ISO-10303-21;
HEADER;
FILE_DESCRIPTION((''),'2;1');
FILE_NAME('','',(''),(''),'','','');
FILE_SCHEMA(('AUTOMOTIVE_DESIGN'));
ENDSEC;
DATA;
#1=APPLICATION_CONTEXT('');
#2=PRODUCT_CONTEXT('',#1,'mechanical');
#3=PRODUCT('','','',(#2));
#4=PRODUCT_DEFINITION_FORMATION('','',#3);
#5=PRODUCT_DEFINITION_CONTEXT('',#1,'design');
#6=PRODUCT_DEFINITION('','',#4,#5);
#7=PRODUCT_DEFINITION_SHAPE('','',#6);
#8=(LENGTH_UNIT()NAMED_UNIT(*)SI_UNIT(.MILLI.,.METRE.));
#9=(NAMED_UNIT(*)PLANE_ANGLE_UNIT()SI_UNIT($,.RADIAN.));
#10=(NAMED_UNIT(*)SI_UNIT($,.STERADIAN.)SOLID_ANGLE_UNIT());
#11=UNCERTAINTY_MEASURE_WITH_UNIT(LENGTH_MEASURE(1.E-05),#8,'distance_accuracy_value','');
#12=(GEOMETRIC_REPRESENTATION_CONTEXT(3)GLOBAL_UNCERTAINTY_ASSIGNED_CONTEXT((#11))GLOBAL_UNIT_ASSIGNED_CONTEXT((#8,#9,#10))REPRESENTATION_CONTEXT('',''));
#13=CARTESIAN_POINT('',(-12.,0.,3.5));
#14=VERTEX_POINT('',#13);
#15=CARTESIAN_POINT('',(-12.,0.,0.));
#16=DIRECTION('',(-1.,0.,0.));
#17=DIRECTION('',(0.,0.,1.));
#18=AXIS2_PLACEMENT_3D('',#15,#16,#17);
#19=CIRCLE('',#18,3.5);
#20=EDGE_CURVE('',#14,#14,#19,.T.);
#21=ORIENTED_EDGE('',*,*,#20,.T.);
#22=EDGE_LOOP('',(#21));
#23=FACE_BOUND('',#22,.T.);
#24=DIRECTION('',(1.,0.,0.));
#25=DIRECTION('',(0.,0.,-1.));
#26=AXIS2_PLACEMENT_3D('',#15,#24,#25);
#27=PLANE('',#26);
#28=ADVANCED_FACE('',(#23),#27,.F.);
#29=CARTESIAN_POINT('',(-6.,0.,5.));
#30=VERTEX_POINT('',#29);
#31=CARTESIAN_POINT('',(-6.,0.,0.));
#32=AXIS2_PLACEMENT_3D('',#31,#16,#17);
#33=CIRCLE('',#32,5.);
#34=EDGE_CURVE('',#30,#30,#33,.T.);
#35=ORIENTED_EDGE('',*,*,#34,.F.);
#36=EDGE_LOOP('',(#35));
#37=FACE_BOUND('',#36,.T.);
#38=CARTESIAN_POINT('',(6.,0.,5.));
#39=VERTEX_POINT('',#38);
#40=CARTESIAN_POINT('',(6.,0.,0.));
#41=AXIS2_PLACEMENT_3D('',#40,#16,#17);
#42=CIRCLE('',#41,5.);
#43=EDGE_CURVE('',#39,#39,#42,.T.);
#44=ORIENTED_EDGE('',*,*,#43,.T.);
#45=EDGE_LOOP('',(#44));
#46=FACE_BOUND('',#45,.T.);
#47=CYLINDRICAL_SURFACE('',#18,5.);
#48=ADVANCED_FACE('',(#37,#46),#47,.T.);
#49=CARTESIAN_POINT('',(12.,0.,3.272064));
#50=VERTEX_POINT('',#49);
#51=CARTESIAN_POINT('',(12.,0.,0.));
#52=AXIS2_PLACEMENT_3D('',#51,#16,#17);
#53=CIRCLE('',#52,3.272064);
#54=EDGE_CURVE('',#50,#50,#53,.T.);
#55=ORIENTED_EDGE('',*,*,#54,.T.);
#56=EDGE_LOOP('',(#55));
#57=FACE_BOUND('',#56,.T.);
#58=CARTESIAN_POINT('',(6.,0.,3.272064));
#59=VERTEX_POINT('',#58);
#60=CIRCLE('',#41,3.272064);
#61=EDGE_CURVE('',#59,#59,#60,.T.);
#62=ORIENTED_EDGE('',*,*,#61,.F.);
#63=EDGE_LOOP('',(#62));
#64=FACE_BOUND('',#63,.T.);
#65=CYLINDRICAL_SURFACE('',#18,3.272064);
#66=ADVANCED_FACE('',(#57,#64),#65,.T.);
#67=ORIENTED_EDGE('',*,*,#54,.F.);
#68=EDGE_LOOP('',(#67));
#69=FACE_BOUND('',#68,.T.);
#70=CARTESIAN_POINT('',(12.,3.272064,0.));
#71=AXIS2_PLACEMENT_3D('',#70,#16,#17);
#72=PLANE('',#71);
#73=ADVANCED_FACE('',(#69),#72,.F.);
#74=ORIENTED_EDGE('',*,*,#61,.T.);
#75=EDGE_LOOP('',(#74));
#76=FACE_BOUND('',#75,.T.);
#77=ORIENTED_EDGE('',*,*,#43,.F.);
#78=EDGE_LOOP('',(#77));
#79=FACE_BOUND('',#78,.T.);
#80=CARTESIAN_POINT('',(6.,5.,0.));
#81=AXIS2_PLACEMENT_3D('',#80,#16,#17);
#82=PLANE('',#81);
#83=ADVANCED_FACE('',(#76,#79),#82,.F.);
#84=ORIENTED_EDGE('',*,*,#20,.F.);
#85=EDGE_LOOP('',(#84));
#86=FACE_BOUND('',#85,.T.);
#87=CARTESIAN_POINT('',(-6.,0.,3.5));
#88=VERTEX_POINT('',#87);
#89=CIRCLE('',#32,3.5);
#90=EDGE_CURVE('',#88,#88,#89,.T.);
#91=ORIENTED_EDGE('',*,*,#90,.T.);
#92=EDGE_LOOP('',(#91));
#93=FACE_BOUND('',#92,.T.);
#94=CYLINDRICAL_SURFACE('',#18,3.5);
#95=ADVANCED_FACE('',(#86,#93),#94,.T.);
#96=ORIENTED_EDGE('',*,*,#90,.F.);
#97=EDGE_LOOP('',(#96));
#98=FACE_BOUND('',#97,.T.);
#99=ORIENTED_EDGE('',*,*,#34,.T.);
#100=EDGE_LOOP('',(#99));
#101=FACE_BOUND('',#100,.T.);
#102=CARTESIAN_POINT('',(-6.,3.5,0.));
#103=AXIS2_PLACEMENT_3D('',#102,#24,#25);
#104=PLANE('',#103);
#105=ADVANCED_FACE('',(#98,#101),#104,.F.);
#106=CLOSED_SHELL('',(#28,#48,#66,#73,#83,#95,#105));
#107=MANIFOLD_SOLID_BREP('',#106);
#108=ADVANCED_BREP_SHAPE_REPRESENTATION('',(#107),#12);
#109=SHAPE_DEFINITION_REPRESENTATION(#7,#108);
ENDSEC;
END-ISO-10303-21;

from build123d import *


with BuildPart() as part:
    # Sketch1 → Revolve1 (revolve)
    with BuildSketch(Plane.XY, mode=Mode.PRIVATE) as revolve1_sk:
        Polygon((-12, 0), (12, 0), (12, 3.272063637), (6, 3.272063637), (6, 5), (-6, 5), (-6, 3.5), (-12, 3.5), align=None)
    revolve(revolve1_sk.sketch.rotate(Axis((-12, 0, 0), (1, 0, 0)), 90), axis=Axis((-12, 0, 0), (1, 0, 0)))


solid = part.part
